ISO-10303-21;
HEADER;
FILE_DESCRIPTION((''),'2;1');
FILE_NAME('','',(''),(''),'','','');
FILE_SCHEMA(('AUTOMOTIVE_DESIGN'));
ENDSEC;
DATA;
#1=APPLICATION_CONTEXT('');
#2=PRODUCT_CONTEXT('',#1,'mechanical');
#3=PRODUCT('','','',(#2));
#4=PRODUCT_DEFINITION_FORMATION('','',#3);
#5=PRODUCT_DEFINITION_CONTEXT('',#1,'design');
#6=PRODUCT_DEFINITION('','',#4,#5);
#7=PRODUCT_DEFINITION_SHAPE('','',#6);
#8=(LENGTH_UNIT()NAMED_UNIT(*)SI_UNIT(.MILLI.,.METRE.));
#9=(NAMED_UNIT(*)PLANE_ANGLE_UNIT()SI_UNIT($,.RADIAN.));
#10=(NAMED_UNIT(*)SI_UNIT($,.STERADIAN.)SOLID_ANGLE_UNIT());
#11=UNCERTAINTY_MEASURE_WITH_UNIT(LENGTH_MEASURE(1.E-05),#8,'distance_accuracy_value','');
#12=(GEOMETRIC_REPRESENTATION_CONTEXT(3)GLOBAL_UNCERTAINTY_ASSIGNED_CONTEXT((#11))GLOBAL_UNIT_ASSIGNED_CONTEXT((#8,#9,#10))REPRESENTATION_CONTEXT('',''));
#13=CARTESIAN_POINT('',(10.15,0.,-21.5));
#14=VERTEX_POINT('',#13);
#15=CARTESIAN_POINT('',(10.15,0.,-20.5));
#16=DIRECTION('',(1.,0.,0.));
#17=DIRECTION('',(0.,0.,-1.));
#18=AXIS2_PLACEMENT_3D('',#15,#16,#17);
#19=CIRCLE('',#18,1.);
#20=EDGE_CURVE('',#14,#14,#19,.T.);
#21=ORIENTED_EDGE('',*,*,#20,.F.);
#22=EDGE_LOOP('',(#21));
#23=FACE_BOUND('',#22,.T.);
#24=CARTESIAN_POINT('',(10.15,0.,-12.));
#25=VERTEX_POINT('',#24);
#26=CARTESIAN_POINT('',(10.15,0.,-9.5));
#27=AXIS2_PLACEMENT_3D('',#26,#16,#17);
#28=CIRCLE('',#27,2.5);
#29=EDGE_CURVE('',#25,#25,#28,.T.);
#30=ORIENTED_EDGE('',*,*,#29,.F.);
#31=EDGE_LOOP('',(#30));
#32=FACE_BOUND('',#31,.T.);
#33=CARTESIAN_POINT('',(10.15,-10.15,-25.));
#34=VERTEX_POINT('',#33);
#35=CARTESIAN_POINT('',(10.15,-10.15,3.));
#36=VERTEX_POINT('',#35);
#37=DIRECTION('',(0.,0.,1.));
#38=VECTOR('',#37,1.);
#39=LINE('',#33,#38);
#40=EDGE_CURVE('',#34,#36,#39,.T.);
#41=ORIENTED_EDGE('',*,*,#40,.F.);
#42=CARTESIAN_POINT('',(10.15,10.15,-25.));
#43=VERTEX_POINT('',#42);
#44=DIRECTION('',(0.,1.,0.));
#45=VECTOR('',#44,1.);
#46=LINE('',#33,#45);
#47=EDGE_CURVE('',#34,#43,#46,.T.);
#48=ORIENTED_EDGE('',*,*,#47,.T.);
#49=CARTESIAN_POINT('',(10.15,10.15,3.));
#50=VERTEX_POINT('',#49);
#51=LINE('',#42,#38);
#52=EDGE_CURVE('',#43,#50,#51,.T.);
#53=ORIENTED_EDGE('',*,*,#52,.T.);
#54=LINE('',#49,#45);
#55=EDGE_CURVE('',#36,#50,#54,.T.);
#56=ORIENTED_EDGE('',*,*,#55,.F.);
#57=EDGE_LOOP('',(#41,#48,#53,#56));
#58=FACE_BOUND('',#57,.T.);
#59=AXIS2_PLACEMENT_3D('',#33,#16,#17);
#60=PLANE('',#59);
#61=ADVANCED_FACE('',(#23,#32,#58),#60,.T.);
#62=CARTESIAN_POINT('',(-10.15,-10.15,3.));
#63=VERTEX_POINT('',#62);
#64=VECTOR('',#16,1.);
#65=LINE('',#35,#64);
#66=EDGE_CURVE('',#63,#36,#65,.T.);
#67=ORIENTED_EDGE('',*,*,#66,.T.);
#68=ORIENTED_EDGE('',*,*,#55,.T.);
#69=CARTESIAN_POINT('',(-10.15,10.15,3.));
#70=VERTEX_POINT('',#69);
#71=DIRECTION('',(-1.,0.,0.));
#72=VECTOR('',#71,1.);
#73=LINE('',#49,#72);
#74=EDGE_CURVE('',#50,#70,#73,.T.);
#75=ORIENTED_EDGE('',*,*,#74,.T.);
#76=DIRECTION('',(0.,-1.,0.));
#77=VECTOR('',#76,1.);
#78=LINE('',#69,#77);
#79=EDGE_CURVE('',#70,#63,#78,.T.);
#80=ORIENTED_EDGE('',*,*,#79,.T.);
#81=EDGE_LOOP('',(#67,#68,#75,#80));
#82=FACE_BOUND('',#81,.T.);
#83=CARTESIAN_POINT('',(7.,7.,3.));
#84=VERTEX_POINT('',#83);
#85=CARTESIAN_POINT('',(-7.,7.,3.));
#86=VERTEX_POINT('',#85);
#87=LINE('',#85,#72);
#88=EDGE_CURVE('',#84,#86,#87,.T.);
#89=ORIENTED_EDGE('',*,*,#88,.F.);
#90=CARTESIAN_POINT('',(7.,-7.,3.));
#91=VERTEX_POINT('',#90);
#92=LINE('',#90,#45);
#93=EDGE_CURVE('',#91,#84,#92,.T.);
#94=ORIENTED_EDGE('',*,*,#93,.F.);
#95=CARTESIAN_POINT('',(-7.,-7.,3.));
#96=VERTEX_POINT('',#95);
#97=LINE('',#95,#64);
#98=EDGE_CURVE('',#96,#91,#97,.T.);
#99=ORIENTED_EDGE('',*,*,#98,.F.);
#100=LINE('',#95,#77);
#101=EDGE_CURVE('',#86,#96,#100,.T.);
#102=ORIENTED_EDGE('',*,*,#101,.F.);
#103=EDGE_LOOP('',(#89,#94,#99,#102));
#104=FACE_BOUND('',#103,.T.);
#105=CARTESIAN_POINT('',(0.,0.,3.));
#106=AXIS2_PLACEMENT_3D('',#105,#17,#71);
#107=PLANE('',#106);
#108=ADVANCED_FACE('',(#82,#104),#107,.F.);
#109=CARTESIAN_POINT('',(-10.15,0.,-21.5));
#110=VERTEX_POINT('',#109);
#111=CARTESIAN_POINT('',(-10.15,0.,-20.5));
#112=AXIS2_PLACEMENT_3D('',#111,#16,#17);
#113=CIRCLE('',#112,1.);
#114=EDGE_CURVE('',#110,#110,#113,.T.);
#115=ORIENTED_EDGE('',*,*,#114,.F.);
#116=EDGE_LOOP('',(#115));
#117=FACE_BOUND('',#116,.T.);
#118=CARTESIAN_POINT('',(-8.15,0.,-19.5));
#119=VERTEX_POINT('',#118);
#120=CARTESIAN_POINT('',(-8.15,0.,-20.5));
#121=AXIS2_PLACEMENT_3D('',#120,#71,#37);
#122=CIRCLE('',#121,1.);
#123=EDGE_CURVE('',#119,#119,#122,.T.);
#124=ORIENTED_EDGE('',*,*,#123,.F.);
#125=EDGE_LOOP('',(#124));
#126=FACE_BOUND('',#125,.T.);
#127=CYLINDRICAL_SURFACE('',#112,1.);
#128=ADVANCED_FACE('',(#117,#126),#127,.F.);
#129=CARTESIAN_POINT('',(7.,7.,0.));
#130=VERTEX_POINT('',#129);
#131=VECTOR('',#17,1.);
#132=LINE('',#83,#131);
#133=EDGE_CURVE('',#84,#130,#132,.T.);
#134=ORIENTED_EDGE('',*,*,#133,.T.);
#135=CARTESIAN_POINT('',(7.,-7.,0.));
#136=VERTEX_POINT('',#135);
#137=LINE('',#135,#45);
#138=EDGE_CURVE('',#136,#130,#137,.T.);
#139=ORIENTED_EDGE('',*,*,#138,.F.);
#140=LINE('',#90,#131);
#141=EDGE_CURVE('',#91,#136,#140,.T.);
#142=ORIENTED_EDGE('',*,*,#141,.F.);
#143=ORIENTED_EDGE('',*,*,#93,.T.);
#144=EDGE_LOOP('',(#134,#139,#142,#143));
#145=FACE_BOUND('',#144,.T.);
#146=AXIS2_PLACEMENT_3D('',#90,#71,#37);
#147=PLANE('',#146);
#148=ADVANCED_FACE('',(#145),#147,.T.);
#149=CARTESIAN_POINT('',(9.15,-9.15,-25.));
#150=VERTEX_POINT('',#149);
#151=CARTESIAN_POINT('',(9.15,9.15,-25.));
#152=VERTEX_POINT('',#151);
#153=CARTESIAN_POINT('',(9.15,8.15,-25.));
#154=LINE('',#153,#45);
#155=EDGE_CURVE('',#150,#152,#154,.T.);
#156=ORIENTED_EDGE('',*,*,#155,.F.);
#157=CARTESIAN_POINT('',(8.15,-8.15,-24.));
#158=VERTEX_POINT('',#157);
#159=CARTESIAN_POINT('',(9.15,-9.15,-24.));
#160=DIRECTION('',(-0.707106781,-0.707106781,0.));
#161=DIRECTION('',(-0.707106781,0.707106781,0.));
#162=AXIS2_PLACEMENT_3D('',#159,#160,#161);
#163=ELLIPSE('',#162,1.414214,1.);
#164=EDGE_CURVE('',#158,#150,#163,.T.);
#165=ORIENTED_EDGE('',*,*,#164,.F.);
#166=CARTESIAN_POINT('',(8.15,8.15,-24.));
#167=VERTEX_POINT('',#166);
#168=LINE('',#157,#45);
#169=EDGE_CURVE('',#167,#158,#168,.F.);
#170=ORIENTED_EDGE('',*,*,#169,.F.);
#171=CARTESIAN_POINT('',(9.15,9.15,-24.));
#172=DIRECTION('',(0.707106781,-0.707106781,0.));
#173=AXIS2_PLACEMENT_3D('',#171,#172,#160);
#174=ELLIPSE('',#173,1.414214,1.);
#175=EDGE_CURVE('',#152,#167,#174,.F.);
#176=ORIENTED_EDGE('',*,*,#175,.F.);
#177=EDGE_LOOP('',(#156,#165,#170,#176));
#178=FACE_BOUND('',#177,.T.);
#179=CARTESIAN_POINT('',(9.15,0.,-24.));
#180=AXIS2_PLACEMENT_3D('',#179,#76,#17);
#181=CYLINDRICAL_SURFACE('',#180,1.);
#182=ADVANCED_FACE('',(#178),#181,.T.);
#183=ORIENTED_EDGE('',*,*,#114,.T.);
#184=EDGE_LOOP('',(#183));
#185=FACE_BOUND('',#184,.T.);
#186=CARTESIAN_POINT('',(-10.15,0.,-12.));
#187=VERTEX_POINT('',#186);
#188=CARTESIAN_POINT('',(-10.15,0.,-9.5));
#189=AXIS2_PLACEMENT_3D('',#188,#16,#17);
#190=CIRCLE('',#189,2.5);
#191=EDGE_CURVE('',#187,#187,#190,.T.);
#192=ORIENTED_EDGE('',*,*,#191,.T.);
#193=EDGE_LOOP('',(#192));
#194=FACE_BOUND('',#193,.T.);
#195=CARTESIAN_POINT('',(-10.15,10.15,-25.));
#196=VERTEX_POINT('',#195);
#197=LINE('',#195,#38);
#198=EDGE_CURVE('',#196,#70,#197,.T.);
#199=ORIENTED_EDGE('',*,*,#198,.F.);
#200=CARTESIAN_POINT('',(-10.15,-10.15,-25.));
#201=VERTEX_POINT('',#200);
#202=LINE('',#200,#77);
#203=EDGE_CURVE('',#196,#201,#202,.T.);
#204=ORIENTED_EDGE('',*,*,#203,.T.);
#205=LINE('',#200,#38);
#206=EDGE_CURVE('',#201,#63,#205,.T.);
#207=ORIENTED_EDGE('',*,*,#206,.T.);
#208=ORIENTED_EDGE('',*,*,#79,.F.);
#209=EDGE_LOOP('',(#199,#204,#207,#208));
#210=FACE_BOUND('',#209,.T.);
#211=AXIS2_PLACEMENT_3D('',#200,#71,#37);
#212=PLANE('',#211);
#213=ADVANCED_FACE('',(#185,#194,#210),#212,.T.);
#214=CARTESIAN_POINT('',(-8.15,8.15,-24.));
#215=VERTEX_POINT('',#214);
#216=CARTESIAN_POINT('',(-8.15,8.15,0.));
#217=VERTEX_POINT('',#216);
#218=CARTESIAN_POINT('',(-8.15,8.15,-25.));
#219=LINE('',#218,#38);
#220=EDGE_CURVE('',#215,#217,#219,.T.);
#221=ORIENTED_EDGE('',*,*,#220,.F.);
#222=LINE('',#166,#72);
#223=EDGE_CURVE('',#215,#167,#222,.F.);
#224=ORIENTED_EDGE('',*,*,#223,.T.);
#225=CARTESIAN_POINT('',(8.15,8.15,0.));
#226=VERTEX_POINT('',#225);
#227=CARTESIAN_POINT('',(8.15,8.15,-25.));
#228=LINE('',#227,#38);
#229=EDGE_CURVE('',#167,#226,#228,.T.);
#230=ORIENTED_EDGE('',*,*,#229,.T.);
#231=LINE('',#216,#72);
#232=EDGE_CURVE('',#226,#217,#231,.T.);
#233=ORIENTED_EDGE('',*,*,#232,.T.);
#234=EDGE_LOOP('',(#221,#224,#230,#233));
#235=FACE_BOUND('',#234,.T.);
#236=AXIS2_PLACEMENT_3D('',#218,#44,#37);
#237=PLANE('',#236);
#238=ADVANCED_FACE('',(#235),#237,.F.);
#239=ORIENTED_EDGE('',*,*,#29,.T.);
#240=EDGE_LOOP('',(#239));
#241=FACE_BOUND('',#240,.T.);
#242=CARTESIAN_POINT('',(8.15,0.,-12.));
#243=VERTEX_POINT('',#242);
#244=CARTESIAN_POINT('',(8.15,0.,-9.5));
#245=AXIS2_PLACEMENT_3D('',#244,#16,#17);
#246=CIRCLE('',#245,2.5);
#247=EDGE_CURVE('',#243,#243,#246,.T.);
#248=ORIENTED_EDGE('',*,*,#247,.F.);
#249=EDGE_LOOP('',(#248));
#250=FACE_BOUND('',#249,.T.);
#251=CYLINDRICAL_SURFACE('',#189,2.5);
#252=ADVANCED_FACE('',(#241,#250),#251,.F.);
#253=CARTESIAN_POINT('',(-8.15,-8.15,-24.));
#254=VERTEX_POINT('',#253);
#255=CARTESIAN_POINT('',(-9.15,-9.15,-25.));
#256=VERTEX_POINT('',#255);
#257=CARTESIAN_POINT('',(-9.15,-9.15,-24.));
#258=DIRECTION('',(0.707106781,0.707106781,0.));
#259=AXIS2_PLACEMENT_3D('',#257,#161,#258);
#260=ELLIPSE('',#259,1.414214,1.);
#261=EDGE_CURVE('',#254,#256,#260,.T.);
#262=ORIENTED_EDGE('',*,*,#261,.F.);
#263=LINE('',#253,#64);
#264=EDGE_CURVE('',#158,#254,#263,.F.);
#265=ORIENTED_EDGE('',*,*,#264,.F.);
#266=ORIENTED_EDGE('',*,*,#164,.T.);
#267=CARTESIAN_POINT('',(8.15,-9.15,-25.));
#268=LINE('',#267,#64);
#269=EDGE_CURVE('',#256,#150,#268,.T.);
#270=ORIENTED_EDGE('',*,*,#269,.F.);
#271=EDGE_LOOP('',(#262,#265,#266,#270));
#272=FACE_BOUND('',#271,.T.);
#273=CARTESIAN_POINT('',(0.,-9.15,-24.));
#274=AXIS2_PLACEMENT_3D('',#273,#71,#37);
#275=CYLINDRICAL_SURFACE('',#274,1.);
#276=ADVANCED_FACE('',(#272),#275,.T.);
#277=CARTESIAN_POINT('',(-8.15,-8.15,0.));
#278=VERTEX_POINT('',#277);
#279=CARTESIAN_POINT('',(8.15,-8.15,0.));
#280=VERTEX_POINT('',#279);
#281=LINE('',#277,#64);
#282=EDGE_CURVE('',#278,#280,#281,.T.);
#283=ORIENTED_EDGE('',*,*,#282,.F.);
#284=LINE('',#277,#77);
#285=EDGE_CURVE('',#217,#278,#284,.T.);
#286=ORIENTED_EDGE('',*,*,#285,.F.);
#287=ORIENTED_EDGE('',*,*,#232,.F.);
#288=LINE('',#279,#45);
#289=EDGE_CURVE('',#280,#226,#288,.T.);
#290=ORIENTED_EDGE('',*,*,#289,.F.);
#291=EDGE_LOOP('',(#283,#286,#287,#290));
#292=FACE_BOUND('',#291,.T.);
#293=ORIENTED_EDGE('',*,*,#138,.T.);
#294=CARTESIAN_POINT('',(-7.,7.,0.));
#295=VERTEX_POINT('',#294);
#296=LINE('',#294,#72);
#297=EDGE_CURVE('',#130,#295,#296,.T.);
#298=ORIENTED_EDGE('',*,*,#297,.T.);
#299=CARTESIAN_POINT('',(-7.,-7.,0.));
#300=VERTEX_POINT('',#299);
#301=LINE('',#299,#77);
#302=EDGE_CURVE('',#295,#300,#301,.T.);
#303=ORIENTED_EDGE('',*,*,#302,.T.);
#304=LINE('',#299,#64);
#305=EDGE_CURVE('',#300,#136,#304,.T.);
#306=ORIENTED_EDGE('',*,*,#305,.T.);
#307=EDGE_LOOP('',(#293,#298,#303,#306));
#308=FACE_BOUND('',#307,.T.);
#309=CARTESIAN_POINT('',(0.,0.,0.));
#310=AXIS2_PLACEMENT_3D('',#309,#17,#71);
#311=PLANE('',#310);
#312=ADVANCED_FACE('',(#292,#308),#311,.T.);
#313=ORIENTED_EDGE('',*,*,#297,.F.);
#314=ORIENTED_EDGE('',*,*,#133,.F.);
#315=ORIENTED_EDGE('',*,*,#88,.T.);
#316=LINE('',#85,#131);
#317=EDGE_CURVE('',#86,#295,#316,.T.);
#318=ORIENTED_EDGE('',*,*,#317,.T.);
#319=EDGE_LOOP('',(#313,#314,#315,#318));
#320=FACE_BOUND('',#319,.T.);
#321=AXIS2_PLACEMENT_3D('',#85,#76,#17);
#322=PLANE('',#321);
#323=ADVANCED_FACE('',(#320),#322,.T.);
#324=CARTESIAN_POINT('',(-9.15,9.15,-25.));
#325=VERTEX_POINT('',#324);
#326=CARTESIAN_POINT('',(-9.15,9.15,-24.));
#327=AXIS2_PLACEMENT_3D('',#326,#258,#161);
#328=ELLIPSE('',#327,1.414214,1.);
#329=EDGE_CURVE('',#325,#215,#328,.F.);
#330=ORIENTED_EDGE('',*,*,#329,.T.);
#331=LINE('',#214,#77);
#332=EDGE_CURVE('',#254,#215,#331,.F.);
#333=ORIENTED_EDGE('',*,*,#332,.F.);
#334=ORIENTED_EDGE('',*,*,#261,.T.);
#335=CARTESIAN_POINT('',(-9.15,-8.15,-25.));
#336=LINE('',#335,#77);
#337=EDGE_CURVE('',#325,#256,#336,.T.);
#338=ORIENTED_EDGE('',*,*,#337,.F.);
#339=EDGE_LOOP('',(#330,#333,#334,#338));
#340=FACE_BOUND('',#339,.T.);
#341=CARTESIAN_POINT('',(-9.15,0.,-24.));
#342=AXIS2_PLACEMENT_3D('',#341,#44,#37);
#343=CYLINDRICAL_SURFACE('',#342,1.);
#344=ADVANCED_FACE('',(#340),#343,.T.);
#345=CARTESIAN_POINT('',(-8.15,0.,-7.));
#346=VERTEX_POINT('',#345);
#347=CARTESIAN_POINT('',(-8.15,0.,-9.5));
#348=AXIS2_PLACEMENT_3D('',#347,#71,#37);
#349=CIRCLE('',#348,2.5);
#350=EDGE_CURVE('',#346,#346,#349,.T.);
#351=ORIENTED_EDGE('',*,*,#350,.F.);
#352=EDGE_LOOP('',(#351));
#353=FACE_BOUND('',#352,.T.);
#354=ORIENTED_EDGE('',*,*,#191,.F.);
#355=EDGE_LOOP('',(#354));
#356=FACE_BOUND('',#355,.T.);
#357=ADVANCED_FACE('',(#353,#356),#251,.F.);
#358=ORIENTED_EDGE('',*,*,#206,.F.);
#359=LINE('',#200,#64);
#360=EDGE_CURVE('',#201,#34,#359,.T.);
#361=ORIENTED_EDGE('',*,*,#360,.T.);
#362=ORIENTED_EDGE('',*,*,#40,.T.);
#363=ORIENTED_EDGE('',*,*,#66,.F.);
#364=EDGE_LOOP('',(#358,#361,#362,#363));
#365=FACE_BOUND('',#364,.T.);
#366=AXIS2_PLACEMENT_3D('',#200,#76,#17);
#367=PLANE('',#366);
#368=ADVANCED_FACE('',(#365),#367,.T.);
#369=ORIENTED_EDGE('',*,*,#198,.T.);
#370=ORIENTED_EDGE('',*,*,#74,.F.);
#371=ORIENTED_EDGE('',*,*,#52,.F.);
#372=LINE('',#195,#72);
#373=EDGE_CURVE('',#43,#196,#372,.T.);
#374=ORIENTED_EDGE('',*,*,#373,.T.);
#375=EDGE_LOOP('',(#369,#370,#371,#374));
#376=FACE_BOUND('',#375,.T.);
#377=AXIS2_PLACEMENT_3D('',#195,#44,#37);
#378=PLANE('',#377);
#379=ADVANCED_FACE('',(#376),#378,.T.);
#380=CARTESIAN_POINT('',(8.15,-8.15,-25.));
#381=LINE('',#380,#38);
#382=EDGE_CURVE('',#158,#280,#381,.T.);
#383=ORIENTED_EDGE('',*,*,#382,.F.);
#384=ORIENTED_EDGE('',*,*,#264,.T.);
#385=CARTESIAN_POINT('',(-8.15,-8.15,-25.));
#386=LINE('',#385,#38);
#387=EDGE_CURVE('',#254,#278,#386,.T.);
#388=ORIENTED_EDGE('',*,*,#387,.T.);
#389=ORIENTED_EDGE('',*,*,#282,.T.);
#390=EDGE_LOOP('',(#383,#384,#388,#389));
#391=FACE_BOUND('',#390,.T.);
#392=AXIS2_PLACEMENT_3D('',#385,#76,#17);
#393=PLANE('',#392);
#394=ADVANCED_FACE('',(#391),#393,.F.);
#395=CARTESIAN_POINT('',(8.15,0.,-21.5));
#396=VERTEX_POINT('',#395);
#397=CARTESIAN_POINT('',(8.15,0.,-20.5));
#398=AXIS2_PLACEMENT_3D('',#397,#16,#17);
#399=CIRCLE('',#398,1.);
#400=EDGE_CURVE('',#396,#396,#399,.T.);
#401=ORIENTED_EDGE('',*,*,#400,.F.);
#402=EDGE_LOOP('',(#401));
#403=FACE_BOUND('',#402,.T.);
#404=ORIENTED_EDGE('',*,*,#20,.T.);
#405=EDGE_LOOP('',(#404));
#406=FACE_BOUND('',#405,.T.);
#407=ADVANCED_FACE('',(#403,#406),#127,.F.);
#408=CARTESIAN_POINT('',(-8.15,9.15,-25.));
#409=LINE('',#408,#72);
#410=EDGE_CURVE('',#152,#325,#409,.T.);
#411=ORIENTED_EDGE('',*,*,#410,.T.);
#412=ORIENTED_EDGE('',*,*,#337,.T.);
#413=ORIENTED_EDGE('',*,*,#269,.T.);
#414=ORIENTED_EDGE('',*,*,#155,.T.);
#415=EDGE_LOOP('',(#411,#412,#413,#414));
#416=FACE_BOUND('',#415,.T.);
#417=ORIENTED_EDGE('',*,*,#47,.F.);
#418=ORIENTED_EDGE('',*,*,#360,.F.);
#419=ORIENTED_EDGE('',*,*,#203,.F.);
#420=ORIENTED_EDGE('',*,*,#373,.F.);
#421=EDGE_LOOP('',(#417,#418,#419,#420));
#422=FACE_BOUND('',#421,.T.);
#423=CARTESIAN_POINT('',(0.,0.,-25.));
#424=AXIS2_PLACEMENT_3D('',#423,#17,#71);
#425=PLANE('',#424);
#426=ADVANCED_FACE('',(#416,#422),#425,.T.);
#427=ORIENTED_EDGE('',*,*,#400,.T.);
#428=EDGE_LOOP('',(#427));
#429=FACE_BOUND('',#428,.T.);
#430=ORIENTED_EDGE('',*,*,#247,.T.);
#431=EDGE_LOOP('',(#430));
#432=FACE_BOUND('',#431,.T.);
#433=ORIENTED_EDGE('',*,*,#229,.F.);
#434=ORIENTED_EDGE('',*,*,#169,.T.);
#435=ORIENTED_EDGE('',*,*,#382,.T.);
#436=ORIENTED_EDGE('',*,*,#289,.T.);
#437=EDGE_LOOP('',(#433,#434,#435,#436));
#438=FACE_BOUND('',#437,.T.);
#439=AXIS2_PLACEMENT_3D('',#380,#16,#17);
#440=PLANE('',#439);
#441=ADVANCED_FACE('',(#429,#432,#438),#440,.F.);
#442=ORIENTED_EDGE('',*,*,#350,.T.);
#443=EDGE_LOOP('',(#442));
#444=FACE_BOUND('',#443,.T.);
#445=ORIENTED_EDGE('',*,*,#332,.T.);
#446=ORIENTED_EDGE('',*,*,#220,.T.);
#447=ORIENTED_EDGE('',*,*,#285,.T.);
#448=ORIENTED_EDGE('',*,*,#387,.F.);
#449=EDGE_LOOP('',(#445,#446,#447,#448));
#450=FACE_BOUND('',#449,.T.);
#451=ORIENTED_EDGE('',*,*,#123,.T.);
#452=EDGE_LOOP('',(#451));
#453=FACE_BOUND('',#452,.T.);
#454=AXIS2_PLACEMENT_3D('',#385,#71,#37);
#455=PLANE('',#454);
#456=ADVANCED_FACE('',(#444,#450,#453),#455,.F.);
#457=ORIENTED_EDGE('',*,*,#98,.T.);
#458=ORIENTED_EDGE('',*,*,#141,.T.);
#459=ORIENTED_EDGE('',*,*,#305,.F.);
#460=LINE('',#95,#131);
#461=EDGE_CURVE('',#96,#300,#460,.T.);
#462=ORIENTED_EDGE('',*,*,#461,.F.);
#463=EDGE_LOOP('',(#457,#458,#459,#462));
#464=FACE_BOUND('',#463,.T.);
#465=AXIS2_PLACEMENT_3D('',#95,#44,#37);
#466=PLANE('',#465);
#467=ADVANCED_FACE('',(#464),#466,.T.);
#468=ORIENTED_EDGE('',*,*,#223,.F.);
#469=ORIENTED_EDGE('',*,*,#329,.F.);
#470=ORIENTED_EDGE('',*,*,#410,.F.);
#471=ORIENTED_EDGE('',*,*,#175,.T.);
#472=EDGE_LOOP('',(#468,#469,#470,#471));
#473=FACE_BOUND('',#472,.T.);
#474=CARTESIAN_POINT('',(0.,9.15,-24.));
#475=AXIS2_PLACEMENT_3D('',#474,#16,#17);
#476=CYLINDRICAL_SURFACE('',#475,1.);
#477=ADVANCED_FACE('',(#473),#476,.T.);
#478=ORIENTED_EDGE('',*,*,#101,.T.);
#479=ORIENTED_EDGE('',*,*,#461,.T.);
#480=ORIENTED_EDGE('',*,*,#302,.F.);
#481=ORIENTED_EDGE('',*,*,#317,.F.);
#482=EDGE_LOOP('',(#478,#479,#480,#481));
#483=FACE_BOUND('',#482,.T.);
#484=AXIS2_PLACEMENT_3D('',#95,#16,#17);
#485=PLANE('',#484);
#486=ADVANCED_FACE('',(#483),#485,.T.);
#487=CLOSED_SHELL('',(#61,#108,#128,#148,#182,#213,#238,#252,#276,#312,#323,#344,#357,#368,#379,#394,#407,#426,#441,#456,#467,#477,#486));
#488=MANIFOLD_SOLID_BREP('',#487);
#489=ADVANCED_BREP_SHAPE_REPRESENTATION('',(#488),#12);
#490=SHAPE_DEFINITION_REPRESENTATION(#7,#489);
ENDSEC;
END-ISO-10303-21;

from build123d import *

# Parameters (mm, degrees)
SKETCH1_W           = 20.3
SKETCH1_H           = 20.3
SKETCH1_W_2         = 16.3
SKETCH1_H_2         = 16.3
BOSS_EXTRUDE1_DEPTH = 25
SKETCH2_W           = 20.3
SKETCH2_H           = 20.3
SKETCH2_W_2         = 14
SKETCH2_H_2         = 14
BOSS_EXTRUDE2_DEPTH = 3
SKETCH3_R           = 1
SKETCH3_R_2         = 2.5
CUT_EXTRUDE1_DEPTH  = 34.765551972
FILLET1_R           = 1


with BuildPart() as part:
    # Sketch1 → Boss-Extrude1 (new body)
    with BuildSketch(Plane.XY):
        Rectangle(SKETCH1_W, SKETCH1_H)
        Rectangle(SKETCH1_W_2, SKETCH1_H_2, mode=Mode.SUBTRACT)
    extrude(amount=-BOSS_EXTRUDE1_DEPTH)

    # Sketch2 → Boss-Extrude2 (add)
    with BuildSketch(Plane.XY):
        Rectangle(SKETCH2_W, SKETCH2_H)
        Rectangle(SKETCH2_W_2, SKETCH2_H_2, mode=Mode.SUBTRACT)
    extrude(amount=BOSS_EXTRUDE2_DEPTH)

    # Sketch3 → Cut-Extrude1 (cut, through all)
    with BuildSketch(Plane(origin=(10.15, 0, 0), x_dir=(0, 0, -1), z_dir=(1, 0, 0))):
        with Locations((20.5, 0)):
            Circle(SKETCH3_R)
        with Locations((9.5, 0)):
            Circle(SKETCH3_R_2)
    extrude(amount=-CUT_EXTRUDE1_DEPTH, mode=Mode.SUBTRACT)

    # Fillet1
    fillet1_edges = [part.edges().sort_by_distance(p)[0] for p in [
        (8.15, 0, -25),
        (0, -8.15, -25),
        (-8.15, 0, -25),
        (0, 8.15, -25),
    ]]
    fillet(fillet1_edges, radius=FILLET1_R)


solid = part.part
